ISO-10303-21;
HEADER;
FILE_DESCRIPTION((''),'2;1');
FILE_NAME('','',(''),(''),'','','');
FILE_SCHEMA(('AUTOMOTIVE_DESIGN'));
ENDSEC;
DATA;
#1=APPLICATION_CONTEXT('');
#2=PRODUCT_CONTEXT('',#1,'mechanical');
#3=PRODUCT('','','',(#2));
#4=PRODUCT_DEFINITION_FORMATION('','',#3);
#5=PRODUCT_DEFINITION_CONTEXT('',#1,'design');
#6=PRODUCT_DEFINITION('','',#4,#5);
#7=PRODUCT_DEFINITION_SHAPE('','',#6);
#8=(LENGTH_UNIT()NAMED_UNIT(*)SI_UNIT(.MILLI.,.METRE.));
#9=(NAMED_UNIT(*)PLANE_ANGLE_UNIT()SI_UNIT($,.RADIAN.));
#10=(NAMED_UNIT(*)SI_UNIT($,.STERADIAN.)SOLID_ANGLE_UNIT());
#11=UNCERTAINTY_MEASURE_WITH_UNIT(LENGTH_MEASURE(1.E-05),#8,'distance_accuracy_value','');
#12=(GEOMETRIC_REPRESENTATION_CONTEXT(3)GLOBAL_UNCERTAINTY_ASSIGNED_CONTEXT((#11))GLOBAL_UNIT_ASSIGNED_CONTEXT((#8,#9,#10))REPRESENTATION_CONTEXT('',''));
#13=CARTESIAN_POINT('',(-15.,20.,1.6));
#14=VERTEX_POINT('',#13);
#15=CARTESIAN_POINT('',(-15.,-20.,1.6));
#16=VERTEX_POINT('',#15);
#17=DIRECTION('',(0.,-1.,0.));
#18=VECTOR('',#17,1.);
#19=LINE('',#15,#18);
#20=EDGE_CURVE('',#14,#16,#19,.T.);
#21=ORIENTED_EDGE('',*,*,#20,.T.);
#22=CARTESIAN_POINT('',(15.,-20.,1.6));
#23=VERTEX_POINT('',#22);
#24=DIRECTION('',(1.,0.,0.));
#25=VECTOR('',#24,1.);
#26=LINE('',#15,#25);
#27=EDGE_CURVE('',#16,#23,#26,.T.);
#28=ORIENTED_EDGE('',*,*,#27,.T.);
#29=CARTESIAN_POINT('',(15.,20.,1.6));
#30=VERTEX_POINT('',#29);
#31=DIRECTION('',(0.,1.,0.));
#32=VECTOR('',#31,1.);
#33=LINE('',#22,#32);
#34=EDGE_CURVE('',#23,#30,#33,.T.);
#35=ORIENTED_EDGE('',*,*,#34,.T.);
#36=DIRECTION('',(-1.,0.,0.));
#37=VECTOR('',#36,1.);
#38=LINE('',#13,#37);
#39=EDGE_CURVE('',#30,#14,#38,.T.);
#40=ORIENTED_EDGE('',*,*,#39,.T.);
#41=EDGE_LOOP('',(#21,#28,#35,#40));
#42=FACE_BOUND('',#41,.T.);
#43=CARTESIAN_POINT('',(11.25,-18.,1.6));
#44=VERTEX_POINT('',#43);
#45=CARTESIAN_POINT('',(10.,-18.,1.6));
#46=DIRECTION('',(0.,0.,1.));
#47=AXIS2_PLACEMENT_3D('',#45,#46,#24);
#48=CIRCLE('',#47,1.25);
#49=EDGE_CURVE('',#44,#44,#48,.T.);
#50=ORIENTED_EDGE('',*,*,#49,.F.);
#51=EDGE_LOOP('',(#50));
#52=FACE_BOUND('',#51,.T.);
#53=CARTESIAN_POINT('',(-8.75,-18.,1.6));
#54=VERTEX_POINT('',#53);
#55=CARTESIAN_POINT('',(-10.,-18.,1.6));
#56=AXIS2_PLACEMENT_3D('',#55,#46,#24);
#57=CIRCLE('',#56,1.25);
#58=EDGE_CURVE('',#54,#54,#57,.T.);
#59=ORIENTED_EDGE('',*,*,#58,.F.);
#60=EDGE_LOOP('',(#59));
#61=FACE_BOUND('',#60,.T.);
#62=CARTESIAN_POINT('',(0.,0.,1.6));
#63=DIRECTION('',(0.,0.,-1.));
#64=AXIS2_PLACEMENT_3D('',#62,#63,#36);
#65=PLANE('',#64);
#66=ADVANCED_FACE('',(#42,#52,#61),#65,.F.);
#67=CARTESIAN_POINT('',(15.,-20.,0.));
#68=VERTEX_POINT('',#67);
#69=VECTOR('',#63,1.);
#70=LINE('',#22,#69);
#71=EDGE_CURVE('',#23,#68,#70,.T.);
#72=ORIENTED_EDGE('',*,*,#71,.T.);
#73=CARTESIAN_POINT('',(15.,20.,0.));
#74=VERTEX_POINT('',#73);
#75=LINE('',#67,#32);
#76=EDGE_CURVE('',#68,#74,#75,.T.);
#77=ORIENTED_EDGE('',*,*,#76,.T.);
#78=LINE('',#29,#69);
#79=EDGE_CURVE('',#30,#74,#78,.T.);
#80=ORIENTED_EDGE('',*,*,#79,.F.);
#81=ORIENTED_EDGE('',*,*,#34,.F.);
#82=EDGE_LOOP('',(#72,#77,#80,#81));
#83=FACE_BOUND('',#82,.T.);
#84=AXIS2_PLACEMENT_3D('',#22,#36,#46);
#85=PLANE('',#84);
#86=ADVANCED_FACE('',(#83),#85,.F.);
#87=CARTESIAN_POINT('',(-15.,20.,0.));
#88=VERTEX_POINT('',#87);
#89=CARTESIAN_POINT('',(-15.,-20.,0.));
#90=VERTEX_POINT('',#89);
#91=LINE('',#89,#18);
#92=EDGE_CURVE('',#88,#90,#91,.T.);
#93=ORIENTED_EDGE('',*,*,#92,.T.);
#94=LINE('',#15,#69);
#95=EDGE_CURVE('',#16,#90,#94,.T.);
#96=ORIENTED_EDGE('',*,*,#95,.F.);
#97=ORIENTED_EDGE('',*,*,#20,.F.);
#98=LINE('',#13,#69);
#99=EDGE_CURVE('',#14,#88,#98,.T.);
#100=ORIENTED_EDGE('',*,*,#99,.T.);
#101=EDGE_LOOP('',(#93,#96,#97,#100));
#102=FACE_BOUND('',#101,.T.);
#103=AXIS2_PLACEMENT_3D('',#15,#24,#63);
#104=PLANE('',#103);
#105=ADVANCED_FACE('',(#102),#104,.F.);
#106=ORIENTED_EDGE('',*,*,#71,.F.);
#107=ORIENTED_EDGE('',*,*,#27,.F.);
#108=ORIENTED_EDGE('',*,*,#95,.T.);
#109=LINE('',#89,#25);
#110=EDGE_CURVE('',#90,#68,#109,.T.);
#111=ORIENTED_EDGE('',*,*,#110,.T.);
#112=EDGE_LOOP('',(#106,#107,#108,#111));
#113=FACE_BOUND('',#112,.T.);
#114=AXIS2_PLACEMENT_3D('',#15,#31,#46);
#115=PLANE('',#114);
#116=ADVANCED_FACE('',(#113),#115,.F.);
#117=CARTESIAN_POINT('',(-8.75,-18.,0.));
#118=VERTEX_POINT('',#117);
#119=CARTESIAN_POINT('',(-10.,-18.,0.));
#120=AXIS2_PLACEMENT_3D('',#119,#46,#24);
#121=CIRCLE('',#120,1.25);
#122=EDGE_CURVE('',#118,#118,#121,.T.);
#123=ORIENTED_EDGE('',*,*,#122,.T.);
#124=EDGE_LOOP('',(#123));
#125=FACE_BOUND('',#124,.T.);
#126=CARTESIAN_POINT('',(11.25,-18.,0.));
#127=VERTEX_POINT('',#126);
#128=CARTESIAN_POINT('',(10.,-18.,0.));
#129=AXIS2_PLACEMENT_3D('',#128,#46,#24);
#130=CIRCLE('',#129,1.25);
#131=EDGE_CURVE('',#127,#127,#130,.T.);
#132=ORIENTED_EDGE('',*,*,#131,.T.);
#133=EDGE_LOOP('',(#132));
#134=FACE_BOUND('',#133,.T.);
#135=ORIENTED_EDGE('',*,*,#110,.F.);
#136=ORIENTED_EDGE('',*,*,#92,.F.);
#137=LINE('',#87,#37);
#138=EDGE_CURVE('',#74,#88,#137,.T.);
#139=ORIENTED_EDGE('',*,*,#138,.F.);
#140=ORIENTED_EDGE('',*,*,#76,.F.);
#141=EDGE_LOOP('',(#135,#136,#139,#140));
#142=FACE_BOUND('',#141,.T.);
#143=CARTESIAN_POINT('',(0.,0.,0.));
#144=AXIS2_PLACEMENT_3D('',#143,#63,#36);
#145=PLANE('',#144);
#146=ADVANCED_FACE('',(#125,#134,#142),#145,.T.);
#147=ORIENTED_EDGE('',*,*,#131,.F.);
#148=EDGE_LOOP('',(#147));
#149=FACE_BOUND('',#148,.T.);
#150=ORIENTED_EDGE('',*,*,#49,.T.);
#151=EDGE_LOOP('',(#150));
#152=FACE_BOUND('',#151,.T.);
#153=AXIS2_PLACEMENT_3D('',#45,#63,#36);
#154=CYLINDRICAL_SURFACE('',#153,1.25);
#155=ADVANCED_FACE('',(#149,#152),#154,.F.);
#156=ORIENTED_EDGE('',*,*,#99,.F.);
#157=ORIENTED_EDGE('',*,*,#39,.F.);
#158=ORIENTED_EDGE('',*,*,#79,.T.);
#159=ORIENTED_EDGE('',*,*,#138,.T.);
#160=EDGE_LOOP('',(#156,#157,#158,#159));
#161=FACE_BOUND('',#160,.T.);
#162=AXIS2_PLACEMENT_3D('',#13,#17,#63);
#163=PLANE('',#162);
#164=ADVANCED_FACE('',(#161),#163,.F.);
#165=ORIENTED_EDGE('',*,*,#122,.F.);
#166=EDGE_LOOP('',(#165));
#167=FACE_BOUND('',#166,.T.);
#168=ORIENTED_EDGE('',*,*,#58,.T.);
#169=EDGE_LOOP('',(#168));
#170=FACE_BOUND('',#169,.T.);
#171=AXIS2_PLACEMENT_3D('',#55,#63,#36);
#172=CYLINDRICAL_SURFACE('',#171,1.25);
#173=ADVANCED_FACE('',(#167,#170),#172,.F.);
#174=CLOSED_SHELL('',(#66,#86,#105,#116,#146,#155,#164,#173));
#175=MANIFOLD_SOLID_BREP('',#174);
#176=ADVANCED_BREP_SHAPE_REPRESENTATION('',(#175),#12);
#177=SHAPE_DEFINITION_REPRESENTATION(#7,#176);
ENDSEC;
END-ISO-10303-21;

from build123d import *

# Parameters (mm, degrees)
SKETCH1_W           = 30
SKETCH1_H           = 40
SKETCH1_R           = 1.25
BOSS_EXTRUDE1_DEPTH = 1.6


with BuildPart() as part:
    # Sketch1 → Boss-Extrude1 (new body)
    with BuildSketch(Plane.XY):
        Rectangle(SKETCH1_W, SKETCH1_H)
        with Locations((-10, -18)):
            Circle(SKETCH1_R, mode=Mode.SUBTRACT)
        with Locations((10, -18)):
            Circle(SKETCH1_R, mode=Mode.SUBTRACT)
    extrude(amount=BOSS_EXTRUDE1_DEPTH)


solid = part.part
